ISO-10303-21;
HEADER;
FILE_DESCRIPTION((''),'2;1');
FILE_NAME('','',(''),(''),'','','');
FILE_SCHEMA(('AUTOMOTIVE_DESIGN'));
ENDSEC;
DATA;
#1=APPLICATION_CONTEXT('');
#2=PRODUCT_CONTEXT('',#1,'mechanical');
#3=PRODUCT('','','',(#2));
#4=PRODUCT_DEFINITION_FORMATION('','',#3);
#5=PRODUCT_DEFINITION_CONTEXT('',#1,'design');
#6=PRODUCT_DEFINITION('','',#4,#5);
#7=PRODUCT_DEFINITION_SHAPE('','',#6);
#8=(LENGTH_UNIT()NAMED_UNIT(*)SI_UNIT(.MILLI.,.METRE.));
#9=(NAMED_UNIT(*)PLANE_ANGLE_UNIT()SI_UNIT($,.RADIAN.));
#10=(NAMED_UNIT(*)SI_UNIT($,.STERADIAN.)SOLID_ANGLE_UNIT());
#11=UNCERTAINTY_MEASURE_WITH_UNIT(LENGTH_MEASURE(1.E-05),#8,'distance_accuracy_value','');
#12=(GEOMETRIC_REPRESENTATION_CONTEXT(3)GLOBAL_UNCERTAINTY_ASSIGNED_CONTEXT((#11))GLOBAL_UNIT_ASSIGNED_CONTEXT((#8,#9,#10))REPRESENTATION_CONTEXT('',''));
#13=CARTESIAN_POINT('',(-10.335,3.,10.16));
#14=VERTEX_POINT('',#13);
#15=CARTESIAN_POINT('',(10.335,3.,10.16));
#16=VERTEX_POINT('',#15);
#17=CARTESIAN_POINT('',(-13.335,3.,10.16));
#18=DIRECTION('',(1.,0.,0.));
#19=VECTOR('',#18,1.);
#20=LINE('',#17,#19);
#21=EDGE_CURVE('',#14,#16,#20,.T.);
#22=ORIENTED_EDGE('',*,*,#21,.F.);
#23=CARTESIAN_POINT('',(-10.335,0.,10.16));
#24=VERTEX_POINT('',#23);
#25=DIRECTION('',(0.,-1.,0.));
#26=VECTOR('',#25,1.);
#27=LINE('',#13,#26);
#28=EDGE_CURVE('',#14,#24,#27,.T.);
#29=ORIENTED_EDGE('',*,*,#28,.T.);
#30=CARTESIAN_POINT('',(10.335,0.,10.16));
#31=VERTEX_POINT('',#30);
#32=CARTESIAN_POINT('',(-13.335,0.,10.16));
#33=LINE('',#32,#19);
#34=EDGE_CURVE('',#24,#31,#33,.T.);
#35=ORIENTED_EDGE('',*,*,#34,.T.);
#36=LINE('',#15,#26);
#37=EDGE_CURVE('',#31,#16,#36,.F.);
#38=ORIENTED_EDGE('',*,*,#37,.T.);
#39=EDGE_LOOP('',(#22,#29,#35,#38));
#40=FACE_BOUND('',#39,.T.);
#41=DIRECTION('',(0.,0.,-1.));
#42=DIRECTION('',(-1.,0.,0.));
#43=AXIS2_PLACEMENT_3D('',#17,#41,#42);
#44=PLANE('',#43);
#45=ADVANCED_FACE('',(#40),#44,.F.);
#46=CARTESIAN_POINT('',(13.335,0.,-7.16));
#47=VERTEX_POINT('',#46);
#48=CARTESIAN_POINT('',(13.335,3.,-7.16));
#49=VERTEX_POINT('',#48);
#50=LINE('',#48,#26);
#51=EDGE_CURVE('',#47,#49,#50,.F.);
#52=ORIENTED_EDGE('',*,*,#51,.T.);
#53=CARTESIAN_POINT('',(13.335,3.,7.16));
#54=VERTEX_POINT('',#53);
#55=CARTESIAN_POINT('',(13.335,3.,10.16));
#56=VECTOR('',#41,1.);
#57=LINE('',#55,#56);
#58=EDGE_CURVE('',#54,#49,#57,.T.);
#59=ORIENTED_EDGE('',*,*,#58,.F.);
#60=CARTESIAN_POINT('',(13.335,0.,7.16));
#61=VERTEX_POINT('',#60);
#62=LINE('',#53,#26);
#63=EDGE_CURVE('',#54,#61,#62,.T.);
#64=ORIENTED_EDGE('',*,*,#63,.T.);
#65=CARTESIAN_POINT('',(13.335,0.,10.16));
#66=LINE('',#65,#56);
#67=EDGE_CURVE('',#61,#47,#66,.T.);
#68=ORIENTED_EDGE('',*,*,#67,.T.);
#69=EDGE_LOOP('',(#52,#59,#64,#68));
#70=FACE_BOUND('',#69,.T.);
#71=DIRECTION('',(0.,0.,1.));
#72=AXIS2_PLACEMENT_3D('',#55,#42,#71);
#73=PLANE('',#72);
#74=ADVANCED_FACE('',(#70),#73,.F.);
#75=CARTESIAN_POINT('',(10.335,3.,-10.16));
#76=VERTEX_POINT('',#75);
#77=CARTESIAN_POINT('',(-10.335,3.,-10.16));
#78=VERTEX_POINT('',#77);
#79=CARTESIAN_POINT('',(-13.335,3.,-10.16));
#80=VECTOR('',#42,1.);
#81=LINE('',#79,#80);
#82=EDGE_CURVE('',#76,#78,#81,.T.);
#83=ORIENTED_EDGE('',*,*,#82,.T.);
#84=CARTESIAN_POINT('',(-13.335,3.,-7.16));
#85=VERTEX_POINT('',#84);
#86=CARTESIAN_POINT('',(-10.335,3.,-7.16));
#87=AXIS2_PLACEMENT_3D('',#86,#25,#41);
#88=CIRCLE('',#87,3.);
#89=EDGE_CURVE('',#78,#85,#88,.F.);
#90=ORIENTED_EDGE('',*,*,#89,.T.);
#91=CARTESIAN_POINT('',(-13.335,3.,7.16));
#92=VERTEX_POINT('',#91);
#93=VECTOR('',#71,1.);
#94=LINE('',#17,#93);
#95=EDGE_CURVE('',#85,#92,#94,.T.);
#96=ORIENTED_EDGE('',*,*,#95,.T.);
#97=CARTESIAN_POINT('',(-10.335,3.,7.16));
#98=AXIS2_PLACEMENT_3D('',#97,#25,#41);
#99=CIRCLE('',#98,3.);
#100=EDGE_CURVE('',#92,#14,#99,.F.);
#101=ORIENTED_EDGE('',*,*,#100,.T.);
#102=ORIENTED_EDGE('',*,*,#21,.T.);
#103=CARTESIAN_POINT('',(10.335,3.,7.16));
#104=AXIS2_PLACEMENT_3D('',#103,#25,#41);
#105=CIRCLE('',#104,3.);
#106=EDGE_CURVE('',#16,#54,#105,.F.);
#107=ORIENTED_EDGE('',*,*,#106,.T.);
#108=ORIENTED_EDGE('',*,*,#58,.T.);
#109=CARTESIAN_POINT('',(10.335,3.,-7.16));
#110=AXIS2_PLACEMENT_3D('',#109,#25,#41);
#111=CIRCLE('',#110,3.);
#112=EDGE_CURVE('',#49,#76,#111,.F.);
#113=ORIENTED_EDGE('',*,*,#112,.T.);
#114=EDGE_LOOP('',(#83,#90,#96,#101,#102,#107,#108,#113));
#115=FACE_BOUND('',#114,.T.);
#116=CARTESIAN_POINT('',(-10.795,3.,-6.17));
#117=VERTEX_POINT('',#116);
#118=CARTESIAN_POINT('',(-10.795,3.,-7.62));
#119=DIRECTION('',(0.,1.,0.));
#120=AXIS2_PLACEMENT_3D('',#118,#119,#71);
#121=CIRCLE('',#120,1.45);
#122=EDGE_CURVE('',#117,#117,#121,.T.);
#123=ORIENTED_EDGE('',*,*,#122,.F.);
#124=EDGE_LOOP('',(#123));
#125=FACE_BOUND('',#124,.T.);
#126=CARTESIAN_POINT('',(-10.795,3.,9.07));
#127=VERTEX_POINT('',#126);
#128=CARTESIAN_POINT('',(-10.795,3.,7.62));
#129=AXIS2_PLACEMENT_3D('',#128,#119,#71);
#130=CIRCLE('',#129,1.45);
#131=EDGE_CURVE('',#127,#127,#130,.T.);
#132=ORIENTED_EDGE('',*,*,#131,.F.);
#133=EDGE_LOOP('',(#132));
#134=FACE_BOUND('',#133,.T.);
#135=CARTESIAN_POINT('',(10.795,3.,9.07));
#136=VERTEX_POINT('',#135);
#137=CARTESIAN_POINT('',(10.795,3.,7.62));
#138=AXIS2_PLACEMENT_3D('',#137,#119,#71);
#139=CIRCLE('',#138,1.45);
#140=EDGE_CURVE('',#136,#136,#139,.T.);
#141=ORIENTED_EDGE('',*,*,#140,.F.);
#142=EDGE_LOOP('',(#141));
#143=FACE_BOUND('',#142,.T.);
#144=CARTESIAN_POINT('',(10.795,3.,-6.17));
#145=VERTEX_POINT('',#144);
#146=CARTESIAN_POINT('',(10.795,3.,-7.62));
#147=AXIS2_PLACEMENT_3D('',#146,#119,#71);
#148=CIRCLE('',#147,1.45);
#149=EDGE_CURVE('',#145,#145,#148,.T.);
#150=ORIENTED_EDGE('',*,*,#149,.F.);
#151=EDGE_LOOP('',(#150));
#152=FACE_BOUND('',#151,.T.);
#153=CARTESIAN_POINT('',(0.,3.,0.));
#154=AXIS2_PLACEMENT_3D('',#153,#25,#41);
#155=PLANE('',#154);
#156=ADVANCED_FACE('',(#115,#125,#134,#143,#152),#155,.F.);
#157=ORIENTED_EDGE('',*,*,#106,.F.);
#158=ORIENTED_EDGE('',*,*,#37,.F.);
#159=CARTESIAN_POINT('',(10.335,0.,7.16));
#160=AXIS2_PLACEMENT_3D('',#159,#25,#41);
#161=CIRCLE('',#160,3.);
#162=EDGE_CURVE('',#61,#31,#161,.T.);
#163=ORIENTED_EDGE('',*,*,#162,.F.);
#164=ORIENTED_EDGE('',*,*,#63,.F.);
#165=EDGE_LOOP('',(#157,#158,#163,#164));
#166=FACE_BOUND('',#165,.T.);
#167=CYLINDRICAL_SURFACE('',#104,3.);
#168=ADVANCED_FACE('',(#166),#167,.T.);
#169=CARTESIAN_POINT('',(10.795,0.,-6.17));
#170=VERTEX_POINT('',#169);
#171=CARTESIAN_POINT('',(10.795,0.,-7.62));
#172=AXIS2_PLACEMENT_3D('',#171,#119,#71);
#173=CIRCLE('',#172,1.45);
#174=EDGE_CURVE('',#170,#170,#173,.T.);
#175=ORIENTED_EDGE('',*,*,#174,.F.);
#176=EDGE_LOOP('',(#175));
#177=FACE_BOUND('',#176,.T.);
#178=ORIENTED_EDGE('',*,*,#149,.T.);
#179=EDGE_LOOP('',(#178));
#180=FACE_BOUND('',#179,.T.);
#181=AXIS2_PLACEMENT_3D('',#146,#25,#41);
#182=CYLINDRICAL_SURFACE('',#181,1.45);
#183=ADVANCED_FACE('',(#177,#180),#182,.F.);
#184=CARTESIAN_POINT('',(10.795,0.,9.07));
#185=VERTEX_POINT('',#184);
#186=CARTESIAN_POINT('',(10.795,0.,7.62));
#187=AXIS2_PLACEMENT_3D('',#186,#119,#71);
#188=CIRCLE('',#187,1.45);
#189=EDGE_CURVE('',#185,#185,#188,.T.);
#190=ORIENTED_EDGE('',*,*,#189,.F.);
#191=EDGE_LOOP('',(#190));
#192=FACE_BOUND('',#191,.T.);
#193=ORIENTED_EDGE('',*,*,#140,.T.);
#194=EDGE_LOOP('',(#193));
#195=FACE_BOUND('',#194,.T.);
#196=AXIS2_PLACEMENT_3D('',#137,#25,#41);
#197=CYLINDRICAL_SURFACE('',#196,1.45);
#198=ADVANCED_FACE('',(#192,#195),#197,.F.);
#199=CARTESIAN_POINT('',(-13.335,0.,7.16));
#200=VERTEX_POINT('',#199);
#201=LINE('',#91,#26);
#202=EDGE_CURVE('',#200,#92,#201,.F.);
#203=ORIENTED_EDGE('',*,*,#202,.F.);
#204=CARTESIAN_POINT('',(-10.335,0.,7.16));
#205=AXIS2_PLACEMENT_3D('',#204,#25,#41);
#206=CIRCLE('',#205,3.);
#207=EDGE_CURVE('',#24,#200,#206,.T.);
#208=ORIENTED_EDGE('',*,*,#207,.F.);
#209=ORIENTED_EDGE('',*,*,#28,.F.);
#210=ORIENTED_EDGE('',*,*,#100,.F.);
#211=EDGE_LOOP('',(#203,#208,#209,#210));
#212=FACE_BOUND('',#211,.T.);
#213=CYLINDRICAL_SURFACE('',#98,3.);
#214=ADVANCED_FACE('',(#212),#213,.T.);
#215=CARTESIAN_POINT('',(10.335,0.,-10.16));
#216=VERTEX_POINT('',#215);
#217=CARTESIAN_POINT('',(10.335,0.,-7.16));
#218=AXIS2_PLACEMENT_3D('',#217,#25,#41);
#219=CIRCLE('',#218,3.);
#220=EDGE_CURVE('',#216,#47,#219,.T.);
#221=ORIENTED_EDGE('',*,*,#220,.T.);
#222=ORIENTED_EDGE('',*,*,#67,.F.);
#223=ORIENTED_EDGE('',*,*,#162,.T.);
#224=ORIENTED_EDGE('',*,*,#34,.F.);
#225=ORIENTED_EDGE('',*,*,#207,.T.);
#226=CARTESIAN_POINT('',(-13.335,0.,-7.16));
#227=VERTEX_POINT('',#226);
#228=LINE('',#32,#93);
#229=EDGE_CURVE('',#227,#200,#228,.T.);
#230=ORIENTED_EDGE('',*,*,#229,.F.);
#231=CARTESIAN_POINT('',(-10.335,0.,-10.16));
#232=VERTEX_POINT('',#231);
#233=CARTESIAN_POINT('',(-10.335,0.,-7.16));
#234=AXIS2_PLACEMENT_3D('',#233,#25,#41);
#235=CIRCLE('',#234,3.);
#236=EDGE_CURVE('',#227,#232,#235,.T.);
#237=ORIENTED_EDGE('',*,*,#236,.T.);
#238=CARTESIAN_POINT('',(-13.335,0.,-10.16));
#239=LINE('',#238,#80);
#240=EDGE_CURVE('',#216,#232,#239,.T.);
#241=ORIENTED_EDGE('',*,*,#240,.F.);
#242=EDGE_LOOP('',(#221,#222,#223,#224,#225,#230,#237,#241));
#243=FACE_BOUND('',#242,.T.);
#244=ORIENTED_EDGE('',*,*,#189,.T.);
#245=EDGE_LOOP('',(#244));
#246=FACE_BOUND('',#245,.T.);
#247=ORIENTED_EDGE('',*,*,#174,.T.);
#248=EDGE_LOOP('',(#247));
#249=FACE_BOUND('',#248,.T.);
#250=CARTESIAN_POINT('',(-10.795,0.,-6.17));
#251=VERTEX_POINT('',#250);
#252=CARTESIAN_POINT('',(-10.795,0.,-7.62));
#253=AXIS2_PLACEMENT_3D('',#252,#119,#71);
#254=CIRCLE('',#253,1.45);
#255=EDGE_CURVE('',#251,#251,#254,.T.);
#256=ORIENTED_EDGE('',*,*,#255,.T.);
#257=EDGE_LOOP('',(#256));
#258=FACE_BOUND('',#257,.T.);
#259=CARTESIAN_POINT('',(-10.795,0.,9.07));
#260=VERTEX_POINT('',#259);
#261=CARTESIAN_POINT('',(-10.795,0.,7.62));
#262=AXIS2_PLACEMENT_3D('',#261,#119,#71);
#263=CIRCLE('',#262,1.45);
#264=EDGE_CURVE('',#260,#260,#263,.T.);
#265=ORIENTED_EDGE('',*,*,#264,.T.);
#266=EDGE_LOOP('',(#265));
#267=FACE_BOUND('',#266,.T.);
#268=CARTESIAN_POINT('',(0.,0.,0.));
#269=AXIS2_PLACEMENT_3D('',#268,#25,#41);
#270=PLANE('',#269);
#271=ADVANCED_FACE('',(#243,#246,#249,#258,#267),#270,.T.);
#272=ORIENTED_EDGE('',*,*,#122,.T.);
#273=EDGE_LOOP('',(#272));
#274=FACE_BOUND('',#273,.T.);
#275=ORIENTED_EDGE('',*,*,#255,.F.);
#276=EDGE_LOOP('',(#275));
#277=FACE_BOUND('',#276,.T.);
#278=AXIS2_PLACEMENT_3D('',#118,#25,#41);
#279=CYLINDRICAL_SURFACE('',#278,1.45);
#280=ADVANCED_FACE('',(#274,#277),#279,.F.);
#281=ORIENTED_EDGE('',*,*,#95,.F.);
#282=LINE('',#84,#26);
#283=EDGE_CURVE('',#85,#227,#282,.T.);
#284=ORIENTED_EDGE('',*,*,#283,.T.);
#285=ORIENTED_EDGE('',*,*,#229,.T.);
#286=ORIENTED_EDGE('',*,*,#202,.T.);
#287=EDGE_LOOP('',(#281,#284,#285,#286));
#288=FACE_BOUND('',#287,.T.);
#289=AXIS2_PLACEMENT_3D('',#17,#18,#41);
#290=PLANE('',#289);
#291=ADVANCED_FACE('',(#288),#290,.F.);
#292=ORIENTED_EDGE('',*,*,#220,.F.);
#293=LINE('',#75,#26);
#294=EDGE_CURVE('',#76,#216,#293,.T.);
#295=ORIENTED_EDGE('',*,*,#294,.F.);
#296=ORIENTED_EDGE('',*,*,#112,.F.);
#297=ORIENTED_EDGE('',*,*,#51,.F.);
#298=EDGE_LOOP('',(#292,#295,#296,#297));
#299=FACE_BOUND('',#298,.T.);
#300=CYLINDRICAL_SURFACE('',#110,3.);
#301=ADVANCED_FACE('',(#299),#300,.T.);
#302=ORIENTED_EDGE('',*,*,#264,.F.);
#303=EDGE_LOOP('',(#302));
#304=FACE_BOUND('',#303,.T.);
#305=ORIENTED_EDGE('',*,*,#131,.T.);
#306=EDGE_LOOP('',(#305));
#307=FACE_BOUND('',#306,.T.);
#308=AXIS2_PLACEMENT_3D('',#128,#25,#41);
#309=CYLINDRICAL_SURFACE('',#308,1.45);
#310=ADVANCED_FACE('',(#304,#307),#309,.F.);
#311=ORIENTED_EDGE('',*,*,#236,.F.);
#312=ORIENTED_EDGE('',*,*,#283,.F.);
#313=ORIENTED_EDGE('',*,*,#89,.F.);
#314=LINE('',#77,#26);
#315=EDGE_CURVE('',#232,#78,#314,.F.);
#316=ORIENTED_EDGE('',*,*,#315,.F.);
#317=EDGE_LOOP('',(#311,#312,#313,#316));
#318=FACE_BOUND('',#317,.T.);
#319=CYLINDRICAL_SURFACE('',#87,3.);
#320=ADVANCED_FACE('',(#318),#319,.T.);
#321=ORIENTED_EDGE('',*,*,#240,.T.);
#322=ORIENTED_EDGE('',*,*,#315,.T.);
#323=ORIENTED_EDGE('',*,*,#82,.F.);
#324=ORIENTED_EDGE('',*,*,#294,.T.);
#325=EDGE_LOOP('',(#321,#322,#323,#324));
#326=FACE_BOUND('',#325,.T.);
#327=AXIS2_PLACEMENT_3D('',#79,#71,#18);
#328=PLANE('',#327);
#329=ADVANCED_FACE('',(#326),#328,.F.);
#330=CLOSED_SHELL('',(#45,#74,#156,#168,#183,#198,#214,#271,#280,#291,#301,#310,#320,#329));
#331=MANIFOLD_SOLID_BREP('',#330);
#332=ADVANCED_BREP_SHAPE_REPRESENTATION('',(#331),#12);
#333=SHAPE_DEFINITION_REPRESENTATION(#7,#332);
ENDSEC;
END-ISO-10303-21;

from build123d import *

# Parameters (mm, degrees)
SKETCH1_W           = 26.67
SKETCH1_H           = 20.32
SKETCH1_R           = 1.45
BOSS_EXTRUDE1_DEPTH = 3
FILLET1_R           = 3


with BuildPart() as part:
    # Sketch1 → Boss-Extrude1 (new body)
    with BuildSketch(Plane(origin=(0, 0, 0), x_dir=(1, 0, 0), z_dir=(0, 1, 0))):
        Rectangle(SKETCH1_W, SKETCH1_H)
        with Locations((-10.795, 7.62)):
            Circle(SKETCH1_R, mode=Mode.SUBTRACT)
        with Locations((-10.795, -7.62)):
            Circle(SKETCH1_R, mode=Mode.SUBTRACT)
        with Locations((10.795, -7.62)):
            Circle(SKETCH1_R, mode=Mode.SUBTRACT)
        with Locations((10.795, 7.62)):
            Circle(SKETCH1_R, mode=Mode.SUBTRACT)
    extrude(amount=BOSS_EXTRUDE1_DEPTH)

    # Fillet1
    fillet1_edges = [part.edges().sort_by_distance(p)[0] for p in [
        (13.335, 1.5, 10.16),
        (-13.335, 1.5, 10.16),
        (-13.335, 1.5, -10.16),
        (13.335, 1.5, -10.16),
    ]]
    fillet(fillet1_edges, radius=FILLET1_R)


solid = part.part
